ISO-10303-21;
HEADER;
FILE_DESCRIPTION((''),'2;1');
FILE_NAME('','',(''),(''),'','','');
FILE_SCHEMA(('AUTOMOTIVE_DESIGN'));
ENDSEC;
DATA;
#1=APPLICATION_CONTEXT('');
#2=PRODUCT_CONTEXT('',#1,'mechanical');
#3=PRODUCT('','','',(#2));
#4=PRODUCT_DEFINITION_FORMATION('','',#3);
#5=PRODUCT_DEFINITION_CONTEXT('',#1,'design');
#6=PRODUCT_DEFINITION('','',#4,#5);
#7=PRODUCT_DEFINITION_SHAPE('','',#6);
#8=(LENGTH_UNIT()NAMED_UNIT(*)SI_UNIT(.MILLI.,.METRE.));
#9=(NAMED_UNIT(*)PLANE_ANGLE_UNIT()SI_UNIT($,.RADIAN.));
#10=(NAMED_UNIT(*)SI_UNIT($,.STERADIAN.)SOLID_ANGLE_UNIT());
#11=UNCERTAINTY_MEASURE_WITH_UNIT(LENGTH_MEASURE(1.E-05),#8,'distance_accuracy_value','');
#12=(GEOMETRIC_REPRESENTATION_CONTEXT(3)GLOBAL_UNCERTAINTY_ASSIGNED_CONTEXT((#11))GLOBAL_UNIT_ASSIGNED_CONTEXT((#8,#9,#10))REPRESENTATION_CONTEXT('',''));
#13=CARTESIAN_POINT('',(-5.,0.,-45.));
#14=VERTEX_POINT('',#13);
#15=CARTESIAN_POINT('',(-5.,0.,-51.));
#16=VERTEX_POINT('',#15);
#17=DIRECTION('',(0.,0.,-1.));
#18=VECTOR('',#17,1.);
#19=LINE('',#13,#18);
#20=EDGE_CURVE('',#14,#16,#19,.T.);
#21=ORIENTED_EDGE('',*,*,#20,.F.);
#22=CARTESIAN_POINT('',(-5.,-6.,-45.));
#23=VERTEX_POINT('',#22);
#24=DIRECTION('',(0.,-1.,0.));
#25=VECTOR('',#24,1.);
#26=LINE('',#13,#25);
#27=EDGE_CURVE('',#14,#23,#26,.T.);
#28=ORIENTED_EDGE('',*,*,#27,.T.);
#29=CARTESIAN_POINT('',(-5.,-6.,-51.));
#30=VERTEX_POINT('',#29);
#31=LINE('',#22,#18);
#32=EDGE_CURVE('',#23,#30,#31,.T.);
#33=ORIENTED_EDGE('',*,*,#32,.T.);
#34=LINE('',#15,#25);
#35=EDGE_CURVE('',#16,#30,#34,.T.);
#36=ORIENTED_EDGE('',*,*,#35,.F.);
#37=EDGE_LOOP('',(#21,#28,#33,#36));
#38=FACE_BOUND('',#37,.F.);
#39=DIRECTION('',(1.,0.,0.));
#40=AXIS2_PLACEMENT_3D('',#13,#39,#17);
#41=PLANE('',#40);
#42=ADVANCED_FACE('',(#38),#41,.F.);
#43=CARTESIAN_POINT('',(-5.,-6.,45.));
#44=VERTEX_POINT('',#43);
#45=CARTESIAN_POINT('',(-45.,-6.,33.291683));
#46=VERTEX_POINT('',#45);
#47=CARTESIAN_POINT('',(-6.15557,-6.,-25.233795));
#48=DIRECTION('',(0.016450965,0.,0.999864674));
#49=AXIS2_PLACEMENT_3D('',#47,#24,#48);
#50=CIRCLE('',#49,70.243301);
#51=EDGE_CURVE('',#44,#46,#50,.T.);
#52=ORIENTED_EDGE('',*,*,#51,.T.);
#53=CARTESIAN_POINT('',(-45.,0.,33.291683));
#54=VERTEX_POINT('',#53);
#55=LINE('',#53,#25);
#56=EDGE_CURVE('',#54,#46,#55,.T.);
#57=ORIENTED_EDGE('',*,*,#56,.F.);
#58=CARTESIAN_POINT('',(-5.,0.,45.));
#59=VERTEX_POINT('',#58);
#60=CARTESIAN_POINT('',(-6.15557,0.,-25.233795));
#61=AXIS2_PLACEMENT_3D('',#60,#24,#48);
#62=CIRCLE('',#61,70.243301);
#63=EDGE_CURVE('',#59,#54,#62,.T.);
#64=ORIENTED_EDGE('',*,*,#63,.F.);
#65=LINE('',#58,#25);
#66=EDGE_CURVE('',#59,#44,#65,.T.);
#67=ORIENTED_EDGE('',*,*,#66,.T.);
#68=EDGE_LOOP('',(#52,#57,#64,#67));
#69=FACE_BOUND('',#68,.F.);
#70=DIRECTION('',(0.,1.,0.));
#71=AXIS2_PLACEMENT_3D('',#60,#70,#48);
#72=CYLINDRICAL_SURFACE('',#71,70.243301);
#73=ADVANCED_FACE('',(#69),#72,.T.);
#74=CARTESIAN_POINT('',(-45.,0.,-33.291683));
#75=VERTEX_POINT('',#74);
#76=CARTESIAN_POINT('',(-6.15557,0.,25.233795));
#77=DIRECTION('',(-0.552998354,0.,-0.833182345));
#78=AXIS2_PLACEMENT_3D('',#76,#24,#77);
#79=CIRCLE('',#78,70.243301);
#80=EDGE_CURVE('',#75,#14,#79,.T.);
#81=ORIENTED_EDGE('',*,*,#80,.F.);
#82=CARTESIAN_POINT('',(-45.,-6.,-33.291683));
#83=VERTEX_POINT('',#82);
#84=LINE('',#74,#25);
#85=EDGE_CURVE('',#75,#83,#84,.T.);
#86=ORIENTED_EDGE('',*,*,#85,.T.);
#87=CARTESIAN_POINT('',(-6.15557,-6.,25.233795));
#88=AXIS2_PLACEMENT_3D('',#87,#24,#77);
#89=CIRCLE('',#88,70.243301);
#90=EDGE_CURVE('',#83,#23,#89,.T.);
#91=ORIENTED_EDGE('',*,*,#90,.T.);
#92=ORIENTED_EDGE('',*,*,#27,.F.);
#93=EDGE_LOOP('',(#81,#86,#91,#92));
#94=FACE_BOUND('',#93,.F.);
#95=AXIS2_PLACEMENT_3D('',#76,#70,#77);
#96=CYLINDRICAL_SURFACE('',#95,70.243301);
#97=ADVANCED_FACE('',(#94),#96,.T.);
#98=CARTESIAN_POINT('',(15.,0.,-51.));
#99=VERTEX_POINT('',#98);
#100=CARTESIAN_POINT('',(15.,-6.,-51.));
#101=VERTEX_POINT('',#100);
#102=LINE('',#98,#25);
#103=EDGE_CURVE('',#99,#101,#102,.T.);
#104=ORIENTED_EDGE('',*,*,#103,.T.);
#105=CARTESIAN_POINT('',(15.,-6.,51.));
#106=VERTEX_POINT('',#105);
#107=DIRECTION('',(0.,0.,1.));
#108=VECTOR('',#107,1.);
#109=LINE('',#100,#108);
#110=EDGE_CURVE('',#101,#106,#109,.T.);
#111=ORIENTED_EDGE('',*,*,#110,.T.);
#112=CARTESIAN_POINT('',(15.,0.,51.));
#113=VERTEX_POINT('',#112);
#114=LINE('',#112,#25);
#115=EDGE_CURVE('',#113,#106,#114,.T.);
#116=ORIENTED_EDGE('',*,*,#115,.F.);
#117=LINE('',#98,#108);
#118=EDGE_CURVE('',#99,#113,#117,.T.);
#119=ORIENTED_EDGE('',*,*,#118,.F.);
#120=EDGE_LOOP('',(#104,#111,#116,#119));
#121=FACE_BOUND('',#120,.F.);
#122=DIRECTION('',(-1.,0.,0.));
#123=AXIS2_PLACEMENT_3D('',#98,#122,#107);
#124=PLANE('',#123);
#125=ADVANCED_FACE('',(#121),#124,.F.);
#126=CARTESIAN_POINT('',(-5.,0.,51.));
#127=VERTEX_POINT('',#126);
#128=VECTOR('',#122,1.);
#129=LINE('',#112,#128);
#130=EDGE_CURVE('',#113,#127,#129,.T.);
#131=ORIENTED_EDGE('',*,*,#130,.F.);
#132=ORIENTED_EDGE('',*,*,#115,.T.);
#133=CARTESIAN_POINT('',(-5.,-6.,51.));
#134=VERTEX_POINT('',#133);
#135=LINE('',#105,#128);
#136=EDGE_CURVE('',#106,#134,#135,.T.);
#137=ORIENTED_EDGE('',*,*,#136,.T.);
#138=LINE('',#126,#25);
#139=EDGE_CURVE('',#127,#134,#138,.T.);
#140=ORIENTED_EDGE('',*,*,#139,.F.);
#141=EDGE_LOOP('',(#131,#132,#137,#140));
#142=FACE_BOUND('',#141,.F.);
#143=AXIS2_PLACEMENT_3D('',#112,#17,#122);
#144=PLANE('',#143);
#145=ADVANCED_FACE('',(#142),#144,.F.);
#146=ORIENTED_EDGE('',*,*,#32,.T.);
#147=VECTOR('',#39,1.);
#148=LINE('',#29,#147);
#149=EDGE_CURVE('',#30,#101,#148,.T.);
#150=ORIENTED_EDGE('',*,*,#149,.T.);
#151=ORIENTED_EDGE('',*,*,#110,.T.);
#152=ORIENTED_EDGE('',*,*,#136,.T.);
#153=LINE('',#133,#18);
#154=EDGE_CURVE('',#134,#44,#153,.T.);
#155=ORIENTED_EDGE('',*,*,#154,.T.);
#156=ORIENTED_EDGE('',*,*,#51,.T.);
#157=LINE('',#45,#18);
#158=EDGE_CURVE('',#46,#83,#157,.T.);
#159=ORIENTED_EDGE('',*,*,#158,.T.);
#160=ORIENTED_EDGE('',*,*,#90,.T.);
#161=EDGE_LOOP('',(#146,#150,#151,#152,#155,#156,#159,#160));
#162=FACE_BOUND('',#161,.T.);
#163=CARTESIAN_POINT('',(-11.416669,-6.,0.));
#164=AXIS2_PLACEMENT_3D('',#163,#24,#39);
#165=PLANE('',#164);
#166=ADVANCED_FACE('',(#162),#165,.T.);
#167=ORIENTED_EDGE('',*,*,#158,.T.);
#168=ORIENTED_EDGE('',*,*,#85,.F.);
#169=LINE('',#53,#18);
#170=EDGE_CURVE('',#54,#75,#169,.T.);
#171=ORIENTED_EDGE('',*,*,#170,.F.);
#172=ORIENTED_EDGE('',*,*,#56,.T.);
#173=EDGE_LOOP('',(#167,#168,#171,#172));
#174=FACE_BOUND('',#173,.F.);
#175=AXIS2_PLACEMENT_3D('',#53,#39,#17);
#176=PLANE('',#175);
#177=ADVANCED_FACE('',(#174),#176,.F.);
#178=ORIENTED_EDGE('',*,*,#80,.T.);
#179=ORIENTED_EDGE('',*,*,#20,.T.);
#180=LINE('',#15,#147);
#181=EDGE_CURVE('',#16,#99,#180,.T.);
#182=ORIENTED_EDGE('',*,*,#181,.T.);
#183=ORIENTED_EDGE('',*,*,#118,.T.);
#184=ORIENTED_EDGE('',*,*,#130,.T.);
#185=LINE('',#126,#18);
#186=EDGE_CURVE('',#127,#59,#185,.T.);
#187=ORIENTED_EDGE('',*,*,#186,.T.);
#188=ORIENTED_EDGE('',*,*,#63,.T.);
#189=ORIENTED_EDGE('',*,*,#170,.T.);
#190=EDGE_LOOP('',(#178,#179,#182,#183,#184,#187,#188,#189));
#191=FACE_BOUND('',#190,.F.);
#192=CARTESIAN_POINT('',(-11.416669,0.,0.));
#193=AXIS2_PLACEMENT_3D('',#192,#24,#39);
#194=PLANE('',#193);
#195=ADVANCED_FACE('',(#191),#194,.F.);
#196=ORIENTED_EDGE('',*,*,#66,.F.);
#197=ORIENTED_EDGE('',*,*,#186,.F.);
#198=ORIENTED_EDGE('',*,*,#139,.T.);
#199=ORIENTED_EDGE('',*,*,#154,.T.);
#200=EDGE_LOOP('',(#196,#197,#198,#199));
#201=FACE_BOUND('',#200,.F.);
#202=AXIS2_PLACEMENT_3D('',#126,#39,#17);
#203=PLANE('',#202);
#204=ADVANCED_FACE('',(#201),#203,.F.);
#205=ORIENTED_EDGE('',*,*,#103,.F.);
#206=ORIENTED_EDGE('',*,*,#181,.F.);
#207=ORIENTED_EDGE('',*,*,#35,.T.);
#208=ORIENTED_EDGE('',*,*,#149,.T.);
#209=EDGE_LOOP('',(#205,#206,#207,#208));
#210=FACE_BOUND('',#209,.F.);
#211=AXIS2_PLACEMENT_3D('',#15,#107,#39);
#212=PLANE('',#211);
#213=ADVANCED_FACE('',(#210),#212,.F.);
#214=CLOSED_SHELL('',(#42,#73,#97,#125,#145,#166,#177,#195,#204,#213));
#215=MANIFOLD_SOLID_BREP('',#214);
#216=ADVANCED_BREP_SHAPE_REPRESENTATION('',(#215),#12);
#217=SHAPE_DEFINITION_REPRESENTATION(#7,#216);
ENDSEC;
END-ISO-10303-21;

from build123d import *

# Parameters (mm, degrees)
F1_DEPTH = 6


with BuildPart() as f1:
    # F0 (on Front) → F1 (new body)
    with BuildSketch(Plane.XZ):
        with BuildLine():
            Line((-45, 33.291683), (-45, -33.291683))
            ThreePointArc((-45, -33.291683), (-25.888378, -42.180874), (-5, -45))
            Line((-5, -45), (-5, -51))
            Line((-5, -51), (15, -51))
            Line((15, -51), (15, -45))
            Line((15, -45), (15, 45))
            Line((15, 45), (15, 51))
            Line((15, 51), (-5, 51))
            Line((-5, 51), (-5, 45))
            ThreePointArc((-5, 45), (-25.888378, 42.180874), (-45, 33.291683))
        make_face()
    extrude(amount=F1_DEPTH)


solid = f1.part
